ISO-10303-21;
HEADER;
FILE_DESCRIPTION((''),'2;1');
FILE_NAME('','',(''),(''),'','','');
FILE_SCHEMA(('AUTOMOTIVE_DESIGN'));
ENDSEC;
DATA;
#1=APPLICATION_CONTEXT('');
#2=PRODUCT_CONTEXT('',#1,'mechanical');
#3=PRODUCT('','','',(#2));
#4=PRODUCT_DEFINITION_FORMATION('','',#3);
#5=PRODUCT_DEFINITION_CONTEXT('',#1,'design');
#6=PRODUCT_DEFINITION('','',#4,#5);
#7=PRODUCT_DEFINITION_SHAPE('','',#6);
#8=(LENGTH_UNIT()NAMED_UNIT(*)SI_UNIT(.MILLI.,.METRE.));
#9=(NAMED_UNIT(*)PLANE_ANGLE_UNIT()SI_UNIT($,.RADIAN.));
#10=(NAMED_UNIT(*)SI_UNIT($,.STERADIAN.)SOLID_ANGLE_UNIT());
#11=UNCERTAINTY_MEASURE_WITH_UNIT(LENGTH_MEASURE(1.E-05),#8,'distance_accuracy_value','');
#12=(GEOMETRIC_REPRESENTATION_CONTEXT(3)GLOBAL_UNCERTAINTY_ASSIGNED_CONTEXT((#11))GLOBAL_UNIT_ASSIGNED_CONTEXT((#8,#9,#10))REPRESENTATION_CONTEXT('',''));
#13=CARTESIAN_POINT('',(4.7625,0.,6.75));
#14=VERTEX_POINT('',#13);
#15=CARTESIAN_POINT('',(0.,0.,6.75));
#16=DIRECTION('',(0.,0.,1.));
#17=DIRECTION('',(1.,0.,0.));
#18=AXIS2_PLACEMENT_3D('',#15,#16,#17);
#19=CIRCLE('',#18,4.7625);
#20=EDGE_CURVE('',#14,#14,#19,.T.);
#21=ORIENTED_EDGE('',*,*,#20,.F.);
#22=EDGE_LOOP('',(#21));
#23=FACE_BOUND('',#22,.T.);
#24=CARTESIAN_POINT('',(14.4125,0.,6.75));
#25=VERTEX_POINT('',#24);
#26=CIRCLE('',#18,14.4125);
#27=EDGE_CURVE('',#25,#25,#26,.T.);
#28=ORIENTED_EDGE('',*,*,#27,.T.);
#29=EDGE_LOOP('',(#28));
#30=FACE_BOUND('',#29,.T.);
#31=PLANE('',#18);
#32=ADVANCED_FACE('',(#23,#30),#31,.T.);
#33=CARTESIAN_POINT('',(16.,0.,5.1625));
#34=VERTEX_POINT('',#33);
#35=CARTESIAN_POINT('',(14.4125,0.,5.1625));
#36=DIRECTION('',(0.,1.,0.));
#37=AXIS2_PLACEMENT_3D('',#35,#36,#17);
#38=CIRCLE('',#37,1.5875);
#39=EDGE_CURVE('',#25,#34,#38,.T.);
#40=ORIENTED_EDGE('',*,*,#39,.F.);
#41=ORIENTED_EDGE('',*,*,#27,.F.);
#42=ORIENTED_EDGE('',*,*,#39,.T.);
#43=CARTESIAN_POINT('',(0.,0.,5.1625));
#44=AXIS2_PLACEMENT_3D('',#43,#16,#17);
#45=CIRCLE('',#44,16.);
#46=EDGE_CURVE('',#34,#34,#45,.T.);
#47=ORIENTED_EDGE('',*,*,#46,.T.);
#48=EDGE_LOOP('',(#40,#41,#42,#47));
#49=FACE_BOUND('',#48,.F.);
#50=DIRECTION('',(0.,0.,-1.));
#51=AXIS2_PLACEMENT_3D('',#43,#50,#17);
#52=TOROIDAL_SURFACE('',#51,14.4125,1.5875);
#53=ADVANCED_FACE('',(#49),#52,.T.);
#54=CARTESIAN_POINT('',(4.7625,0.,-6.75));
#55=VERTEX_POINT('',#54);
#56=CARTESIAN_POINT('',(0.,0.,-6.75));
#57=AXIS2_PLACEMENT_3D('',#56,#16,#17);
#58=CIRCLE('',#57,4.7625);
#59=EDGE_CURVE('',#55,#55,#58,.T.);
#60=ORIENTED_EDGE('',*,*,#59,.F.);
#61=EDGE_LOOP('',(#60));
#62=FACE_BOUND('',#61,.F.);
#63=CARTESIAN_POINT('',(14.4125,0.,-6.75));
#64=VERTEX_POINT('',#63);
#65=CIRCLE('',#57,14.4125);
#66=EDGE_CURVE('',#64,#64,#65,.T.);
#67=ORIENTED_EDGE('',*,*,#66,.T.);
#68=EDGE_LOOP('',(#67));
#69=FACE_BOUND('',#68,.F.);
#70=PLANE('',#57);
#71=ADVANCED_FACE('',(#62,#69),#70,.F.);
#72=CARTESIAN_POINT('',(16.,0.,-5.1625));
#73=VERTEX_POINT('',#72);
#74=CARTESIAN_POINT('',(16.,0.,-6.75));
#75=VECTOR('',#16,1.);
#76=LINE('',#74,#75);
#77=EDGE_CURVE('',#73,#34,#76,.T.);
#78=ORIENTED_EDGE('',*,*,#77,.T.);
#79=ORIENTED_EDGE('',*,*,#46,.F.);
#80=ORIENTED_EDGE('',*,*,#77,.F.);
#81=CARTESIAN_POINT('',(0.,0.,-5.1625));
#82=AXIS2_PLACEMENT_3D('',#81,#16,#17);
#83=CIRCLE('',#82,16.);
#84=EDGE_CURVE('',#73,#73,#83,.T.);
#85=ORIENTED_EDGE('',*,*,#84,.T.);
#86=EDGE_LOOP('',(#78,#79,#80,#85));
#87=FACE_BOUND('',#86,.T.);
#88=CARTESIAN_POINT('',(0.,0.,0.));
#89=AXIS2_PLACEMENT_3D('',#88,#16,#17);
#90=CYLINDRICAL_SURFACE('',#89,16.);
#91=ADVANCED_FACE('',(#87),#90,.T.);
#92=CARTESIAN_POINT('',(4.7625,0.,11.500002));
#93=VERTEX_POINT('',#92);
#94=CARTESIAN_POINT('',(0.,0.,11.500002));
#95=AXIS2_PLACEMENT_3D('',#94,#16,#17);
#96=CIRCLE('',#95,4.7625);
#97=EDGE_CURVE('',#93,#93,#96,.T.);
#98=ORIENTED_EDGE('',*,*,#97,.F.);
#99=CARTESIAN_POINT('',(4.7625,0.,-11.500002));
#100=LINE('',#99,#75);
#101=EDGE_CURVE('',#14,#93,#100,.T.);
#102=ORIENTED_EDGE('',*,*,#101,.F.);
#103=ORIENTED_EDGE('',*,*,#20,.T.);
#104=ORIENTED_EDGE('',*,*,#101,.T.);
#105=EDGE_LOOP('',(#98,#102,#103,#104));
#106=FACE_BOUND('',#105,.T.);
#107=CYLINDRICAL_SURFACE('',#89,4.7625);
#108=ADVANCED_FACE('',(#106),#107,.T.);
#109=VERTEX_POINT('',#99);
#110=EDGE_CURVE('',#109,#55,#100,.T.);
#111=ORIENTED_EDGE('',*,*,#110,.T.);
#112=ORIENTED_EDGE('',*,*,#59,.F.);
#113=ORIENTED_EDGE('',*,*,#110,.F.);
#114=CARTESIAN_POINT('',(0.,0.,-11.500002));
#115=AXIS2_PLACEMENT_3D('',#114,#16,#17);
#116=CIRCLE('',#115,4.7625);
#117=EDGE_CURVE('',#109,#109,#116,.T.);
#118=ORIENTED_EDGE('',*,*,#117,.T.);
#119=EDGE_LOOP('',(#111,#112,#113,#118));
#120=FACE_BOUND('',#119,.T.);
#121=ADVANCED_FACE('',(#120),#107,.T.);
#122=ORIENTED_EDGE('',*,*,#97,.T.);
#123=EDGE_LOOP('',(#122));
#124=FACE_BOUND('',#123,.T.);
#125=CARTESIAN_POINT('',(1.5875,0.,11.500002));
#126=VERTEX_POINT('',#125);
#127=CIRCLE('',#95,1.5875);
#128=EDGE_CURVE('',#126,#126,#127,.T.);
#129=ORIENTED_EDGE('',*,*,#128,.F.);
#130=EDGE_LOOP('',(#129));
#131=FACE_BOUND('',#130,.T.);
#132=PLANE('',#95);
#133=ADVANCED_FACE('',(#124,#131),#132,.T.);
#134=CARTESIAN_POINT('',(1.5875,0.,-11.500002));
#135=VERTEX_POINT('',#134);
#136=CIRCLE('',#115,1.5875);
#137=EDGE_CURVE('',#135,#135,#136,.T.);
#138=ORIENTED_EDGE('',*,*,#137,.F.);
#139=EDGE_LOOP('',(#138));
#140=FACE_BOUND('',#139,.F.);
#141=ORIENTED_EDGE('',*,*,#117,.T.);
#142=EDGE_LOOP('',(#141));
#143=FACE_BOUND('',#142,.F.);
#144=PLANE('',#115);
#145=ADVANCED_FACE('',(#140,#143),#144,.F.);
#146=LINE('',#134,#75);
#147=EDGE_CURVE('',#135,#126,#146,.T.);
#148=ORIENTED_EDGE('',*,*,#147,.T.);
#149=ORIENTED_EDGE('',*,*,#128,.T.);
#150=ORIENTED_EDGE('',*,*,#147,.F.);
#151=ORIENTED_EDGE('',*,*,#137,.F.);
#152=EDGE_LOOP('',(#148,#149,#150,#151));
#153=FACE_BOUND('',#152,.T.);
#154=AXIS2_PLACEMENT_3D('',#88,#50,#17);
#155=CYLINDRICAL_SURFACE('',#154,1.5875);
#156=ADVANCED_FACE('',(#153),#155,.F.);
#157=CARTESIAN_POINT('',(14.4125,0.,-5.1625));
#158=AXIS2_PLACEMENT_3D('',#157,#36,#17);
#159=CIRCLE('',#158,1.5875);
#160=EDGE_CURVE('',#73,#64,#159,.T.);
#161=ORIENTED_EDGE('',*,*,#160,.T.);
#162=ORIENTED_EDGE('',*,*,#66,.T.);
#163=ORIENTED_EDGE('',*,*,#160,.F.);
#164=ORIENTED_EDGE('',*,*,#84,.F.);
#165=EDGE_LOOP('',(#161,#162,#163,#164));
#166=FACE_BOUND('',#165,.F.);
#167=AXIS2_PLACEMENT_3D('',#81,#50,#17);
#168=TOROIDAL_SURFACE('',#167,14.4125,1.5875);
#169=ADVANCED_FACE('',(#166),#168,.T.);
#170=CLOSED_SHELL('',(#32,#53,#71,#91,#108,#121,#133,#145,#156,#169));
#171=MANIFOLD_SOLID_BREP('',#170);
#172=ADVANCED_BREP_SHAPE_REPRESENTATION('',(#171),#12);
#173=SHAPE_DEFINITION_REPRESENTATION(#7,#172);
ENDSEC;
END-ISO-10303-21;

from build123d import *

# Parameters (mm, degrees)
F0_R     = 16
F0_R_2   = 1.5875
F1_DEPTH = 6.75
F2_R     = 4.7625
F2_R_2   = 1.5875
F3_DEPTH = 11.500002
F4_R     = 1.5875


with BuildPart() as f1:
    # F0 (on Top) → F1 (new body, symmetric)
    with BuildSketch(Plane.XY):
        Circle(F0_R)
        Circle(F0_R_2, mode=Mode.SUBTRACT)
    extrude(amount=F1_DEPTH, both=True)

    # F2 (on Top) → F3 (join, symmetric)
    with BuildSketch(Plane.XY):
        Circle(F2_R)
        Circle(F2_R_2, mode=Mode.SUBTRACT)
    extrude(amount=F3_DEPTH, both=True)

    # F4
    f4_edges = [f1.edges().sort_by_distance(p)[0] for p in [
        (-16, 0, 6.75),
        (-16, 0, -6.75),
    ]]
    fillet(f4_edges, radius=F4_R)


solid = f1.part
